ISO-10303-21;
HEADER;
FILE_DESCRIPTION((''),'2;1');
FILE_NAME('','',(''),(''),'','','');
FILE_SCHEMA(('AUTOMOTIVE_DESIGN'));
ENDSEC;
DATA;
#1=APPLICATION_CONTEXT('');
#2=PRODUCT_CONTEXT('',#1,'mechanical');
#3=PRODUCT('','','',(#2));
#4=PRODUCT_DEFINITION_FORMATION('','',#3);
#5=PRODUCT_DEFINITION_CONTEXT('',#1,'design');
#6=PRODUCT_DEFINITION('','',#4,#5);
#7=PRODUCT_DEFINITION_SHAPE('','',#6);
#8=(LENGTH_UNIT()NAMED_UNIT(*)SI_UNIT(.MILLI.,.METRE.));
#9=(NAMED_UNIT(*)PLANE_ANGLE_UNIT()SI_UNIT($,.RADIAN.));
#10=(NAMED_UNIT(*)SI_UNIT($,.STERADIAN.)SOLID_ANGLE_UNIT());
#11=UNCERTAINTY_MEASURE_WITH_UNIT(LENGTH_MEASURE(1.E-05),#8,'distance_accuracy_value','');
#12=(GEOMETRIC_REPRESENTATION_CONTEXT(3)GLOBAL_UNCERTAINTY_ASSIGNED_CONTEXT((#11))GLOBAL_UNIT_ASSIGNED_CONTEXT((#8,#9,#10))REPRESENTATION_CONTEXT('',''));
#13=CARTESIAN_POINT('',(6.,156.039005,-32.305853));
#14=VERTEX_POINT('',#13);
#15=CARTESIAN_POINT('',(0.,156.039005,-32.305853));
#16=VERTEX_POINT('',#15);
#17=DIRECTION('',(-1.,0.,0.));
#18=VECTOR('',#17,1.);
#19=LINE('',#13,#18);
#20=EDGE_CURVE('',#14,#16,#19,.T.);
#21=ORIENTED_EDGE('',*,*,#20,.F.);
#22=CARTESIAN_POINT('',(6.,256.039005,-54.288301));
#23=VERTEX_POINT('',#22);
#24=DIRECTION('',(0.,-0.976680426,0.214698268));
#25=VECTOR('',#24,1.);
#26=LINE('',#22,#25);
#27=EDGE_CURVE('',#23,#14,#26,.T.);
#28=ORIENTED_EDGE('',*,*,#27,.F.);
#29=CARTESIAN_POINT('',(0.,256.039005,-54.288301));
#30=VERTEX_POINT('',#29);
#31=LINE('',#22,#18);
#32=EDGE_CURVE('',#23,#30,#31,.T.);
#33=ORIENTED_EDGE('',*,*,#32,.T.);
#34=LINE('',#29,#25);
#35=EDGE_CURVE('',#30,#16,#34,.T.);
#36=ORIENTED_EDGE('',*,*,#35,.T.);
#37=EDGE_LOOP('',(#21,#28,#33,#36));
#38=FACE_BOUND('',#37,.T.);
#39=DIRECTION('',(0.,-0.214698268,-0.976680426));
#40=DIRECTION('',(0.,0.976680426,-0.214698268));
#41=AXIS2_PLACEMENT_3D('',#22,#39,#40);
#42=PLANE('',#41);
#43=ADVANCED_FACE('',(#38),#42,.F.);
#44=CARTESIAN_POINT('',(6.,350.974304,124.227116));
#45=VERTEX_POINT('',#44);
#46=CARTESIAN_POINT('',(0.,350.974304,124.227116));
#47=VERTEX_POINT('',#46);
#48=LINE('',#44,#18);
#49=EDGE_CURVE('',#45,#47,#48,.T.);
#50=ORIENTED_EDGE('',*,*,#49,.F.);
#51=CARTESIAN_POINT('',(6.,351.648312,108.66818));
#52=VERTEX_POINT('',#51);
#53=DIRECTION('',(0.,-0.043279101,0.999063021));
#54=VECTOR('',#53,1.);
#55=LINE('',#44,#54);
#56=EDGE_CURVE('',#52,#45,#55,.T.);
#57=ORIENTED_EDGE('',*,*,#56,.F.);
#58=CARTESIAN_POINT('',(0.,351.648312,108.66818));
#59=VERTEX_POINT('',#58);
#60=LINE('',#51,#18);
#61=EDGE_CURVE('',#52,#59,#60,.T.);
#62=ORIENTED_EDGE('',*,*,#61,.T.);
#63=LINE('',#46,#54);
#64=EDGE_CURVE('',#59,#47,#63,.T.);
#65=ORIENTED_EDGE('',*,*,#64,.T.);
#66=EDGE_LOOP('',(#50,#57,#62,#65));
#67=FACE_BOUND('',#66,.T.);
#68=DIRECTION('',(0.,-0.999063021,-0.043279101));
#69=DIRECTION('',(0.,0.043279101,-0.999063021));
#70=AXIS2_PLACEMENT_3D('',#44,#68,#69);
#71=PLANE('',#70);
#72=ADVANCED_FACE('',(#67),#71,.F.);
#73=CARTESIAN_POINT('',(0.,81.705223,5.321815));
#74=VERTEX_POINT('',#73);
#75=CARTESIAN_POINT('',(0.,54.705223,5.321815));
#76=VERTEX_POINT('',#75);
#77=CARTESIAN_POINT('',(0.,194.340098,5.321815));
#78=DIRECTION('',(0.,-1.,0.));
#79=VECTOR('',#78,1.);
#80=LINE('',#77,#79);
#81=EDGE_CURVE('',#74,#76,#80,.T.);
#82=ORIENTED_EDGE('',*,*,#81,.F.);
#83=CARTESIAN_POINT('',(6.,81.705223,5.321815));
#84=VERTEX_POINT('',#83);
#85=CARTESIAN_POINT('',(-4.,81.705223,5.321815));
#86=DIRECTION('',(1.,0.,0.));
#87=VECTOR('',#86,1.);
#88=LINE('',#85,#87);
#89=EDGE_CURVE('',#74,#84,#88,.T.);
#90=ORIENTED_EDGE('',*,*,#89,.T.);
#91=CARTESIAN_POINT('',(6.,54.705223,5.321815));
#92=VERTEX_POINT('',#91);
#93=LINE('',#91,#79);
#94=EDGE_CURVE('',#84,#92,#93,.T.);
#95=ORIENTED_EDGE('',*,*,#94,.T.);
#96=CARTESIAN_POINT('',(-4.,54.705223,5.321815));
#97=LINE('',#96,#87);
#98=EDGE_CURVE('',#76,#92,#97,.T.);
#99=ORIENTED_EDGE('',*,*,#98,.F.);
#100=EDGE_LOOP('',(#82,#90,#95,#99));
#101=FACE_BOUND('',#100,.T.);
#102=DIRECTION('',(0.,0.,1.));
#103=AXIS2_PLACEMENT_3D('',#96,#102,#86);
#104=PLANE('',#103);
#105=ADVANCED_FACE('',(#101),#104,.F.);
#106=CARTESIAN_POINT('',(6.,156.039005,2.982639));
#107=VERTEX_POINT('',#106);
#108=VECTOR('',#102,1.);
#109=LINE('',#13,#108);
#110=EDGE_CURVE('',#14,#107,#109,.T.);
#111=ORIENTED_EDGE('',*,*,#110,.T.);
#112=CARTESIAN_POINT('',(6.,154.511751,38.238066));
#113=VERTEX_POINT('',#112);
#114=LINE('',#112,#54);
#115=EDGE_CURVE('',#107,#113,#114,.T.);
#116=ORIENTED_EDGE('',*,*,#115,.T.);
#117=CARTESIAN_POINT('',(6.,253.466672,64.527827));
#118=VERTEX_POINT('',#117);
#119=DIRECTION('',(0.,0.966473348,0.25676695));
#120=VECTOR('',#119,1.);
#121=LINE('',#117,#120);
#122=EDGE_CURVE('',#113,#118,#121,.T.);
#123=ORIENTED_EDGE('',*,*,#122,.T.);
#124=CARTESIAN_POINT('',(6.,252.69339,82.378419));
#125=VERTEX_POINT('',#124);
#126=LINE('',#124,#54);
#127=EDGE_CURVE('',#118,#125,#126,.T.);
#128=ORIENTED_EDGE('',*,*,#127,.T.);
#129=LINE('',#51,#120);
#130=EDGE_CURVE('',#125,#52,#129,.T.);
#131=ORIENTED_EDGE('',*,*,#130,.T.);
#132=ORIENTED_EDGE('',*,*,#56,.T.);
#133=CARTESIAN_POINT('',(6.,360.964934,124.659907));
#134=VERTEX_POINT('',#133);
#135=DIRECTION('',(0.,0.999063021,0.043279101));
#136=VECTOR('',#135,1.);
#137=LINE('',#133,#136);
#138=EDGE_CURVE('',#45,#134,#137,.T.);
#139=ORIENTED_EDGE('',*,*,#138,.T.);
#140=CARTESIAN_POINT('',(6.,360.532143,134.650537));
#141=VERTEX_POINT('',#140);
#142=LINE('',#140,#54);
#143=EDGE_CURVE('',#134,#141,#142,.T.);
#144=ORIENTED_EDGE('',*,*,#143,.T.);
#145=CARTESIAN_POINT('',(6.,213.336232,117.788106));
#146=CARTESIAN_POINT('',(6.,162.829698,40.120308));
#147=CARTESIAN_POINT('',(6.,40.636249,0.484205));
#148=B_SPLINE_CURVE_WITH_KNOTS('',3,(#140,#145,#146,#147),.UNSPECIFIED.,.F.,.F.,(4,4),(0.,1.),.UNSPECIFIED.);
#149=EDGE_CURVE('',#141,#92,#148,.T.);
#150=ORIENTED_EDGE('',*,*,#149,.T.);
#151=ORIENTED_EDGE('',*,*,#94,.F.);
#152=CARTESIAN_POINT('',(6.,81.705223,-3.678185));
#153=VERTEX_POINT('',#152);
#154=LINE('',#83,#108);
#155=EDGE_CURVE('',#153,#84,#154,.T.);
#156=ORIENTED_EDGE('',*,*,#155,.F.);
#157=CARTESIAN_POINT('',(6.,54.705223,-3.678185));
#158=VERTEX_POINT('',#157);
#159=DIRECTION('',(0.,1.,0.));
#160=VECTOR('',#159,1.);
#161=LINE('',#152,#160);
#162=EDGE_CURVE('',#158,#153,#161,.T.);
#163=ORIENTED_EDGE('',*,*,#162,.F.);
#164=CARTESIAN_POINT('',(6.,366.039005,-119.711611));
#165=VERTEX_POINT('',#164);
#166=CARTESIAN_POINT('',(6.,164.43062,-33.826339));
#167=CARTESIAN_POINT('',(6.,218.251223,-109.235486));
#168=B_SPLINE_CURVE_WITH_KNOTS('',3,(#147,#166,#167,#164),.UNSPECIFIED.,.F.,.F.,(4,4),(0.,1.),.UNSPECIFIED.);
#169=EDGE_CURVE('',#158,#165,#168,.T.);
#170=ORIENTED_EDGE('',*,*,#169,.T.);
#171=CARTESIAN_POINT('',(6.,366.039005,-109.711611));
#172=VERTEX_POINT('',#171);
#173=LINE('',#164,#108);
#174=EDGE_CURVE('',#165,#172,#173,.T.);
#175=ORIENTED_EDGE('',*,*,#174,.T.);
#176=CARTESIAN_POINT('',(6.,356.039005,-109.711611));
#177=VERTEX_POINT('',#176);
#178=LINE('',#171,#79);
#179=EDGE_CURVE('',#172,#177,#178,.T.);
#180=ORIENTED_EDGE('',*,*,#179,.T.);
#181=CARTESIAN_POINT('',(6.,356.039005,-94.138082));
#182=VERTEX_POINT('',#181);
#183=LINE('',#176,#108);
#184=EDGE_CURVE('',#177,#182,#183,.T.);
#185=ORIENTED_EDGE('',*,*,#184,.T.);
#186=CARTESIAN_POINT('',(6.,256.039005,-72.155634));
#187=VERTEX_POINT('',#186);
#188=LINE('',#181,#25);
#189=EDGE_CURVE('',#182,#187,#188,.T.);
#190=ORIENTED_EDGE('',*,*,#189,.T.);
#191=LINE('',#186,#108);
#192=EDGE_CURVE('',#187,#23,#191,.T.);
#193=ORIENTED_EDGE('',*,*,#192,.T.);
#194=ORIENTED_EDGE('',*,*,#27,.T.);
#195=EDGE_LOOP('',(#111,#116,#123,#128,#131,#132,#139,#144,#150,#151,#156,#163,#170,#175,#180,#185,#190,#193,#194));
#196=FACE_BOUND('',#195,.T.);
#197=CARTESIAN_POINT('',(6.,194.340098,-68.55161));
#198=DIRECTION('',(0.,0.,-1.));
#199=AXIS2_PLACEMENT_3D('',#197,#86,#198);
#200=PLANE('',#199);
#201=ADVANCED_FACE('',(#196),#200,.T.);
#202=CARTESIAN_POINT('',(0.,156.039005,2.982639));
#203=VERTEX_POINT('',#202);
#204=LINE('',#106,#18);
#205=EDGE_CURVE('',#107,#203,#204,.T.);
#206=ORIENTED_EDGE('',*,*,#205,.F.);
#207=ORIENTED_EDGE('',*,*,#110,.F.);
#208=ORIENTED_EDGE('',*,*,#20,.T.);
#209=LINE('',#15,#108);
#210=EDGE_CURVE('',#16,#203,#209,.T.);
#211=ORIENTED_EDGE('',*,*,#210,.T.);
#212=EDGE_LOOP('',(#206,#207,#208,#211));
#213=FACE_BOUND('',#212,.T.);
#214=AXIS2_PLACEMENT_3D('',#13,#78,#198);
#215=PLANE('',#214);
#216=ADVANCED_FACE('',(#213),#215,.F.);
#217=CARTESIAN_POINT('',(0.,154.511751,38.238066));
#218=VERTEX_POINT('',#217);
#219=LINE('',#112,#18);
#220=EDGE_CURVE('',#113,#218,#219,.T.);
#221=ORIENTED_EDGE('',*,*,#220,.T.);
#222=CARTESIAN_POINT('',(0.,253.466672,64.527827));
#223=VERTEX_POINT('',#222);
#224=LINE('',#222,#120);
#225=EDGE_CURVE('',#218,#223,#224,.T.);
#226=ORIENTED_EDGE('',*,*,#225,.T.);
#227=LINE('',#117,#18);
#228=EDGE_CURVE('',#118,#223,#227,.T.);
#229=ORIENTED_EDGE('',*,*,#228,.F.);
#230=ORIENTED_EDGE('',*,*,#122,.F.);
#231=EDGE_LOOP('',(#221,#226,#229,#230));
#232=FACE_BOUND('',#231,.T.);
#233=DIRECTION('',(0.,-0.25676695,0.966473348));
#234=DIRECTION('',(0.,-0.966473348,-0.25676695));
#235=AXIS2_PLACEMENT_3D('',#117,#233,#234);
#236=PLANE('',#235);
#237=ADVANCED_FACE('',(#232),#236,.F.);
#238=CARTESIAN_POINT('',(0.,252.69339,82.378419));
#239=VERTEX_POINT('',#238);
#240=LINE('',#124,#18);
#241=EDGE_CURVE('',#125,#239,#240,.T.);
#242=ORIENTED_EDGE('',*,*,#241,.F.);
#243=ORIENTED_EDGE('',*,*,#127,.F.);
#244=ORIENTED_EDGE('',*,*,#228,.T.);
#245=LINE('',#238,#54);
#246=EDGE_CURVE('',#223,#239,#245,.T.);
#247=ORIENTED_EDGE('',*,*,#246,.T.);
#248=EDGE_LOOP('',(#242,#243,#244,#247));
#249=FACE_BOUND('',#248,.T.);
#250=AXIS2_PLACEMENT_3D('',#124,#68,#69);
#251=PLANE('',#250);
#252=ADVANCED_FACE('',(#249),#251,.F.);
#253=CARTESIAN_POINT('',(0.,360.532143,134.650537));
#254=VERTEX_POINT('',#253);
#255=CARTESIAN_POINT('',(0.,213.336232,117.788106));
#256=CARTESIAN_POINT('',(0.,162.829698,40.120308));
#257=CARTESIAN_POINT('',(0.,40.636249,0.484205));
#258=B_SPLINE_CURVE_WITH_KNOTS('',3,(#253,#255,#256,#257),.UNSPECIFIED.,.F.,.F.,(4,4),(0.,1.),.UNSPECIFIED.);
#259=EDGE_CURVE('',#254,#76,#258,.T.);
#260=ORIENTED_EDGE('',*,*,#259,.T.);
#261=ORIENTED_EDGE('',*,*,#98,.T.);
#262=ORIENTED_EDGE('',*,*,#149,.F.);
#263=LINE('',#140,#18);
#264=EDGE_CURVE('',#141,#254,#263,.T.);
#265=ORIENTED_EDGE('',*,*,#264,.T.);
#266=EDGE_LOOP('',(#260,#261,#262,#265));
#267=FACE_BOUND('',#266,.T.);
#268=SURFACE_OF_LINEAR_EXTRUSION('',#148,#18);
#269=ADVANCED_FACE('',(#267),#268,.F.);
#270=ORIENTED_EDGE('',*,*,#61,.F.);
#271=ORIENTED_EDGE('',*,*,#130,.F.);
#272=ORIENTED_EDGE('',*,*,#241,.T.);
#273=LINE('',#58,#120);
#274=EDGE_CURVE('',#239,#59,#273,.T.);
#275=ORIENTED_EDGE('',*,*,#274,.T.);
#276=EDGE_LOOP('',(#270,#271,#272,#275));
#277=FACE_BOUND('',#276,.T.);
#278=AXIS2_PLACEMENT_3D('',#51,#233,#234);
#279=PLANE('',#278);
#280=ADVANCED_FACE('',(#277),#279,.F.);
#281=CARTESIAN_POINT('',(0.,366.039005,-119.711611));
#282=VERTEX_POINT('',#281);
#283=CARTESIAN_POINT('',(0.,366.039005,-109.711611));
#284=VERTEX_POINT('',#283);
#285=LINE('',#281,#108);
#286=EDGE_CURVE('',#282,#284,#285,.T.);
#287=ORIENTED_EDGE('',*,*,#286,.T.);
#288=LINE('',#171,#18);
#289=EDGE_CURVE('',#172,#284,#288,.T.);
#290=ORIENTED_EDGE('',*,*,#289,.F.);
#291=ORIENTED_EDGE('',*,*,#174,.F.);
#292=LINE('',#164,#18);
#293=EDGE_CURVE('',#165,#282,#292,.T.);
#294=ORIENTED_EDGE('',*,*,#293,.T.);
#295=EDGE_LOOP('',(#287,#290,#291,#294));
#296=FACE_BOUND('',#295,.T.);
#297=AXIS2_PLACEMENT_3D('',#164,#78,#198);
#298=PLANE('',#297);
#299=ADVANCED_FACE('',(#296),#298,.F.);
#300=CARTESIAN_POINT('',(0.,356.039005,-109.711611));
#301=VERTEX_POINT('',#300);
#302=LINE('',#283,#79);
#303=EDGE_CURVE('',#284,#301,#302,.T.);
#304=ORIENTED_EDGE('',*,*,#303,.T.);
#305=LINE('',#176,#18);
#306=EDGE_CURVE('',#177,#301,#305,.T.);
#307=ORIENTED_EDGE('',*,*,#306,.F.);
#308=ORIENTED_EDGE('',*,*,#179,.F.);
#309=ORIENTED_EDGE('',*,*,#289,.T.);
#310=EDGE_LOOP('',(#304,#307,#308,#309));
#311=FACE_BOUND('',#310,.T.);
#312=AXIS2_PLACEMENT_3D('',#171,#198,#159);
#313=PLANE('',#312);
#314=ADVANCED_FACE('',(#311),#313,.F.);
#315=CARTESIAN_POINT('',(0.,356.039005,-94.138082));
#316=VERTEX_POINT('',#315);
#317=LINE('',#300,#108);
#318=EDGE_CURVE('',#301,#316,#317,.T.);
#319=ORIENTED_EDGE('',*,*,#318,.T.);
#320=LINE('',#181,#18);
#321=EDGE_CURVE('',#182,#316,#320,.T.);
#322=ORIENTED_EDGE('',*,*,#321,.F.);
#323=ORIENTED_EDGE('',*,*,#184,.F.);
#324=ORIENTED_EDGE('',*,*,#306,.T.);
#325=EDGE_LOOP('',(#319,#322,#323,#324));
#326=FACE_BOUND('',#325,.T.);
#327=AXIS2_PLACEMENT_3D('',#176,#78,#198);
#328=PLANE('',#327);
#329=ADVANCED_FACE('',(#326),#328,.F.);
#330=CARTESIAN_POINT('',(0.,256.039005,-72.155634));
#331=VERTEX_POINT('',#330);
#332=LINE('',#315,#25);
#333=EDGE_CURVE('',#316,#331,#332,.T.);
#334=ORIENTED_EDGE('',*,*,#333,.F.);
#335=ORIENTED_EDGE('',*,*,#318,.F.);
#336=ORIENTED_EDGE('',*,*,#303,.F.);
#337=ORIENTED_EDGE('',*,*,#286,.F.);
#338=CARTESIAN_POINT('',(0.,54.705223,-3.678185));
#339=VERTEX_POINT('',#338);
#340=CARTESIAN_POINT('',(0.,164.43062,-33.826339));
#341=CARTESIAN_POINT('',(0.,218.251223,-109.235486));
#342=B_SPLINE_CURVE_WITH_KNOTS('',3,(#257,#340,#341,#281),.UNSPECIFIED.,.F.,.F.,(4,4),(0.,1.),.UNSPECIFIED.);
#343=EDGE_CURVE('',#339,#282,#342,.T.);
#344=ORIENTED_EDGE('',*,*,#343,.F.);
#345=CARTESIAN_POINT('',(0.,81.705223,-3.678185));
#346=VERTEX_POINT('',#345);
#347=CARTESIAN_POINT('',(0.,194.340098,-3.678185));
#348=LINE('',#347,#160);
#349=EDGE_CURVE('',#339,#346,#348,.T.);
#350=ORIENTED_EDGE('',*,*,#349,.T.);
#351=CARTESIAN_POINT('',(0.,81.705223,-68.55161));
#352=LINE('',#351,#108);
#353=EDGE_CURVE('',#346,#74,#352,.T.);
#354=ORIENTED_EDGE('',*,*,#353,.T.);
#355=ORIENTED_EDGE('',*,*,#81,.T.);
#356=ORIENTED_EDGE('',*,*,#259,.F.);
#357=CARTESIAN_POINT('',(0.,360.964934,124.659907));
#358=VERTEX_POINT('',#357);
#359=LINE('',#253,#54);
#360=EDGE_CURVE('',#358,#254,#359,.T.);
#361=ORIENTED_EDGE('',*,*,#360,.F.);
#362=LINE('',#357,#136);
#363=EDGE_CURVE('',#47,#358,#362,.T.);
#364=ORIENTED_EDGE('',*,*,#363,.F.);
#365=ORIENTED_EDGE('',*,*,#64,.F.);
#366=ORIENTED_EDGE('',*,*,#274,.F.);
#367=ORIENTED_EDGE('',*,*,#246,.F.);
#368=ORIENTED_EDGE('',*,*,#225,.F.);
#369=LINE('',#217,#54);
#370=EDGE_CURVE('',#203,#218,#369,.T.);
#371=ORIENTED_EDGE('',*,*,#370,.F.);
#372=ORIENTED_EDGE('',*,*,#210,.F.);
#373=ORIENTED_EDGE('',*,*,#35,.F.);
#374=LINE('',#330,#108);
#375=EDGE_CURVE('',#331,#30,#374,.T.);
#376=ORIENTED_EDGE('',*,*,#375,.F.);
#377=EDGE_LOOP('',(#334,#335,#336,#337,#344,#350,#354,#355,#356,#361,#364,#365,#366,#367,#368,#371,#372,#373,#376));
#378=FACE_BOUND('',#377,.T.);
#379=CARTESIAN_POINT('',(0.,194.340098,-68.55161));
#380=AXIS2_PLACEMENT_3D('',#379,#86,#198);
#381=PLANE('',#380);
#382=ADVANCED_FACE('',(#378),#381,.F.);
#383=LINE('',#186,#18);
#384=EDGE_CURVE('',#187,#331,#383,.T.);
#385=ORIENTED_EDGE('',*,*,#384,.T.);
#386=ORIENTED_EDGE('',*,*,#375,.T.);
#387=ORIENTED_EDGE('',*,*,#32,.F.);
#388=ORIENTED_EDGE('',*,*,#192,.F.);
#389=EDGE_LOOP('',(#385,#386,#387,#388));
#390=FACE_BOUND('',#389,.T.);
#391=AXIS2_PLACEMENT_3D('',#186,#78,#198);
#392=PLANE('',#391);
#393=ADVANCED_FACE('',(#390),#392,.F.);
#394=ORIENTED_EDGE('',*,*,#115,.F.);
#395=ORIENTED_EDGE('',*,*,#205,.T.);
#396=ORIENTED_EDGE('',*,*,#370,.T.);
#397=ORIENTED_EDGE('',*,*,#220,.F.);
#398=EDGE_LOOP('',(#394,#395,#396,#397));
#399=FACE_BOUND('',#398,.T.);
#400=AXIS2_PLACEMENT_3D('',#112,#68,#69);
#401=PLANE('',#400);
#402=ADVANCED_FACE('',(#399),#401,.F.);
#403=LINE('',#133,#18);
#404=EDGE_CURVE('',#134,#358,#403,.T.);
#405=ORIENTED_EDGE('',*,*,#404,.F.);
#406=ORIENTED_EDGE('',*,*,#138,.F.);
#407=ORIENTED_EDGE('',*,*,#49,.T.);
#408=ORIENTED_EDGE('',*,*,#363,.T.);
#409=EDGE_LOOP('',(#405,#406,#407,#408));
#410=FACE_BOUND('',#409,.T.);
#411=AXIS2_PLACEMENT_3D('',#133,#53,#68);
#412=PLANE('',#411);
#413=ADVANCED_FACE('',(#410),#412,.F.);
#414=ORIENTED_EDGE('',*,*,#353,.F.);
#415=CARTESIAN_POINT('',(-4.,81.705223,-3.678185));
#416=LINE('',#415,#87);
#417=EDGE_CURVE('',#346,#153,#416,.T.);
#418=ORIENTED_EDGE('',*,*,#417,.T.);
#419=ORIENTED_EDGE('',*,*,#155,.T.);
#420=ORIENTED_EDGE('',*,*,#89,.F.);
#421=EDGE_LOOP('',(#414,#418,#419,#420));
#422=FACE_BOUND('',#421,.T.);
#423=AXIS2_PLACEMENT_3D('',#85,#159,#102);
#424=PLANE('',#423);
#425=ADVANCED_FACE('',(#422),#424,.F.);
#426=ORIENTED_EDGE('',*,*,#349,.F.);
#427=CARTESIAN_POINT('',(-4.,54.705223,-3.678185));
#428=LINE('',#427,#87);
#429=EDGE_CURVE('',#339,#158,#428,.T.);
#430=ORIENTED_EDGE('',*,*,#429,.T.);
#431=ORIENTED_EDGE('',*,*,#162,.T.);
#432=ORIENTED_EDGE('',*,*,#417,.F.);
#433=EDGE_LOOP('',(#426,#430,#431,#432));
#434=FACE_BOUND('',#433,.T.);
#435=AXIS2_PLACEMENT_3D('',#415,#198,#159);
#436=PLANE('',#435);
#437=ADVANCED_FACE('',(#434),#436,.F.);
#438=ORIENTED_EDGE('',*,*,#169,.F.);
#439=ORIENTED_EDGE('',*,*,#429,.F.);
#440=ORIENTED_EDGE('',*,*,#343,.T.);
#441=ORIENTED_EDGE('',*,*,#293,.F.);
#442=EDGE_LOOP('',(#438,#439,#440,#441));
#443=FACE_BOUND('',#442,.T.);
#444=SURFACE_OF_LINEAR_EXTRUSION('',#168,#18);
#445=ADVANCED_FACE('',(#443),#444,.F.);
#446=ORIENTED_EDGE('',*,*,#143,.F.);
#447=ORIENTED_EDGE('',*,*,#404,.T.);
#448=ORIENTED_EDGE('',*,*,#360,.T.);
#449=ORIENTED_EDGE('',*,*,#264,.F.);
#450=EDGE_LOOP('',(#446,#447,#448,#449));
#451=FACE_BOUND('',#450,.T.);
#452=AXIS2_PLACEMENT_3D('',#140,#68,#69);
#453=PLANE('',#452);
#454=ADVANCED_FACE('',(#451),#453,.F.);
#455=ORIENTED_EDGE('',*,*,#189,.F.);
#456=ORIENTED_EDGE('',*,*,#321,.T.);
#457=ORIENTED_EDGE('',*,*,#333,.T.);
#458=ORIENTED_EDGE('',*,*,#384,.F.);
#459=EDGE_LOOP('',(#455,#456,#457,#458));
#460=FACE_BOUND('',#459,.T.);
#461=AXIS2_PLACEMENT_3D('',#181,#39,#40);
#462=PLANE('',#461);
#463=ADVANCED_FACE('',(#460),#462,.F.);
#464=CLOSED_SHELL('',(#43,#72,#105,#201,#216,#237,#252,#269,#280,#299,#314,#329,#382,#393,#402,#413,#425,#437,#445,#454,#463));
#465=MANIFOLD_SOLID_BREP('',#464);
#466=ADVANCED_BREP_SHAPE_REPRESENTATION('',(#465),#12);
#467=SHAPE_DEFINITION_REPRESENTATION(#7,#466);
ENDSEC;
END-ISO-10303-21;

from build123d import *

# Parameters (mm, degrees)
BOSS_EXTRU_3_DEPTH      = 6
ENL_V_MAT_EXTRU_1_DEPTH = 10


with BuildPart() as part:
    # Esquisse2 → Boss.-Extru.3 (new body)
    with BuildSketch(Plane(origin=(0, 0, 0), x_dir=(0, 0, -1), z_dir=(1, 0, 0))):
        with BuildLine():
            Line((119.711610695, 366.039005154), (109.711610695, 366.039005154))
            Line((109.711610695, 366.039005154), (109.711610695, 356.039005154))
            Line((109.711610695, 356.039005154), (94.138082152, 356.039005154))
            Line((94.138082152, 356.039005154), (72.155634041, 256.039005154))
            Line((72.155634041, 256.039005154), (54.28830069, 256.039005154))
            Line((54.28830069, 256.039005154), (32.305852578, 156.039005154))
            Line((32.305852578, 156.039005154), (-2.982638809, 156.039005154))
            Line((-2.982638809, 156.039005154), (-38.238065612, 154.511750988))
            Line((-38.238065612, 154.511750988), (-64.527826677, 253.466672484))
            Line((-64.527826677, 253.466672484), (-82.378418708, 252.693390368))
            Line((-82.378418708, 252.693390368), (-108.668179773, 351.648311863))
            Line((-108.668179773, 351.648311863), (-124.227116243, 350.974303556))
            Line((-124.227116243, 350.974303556), (-124.659907248, 360.964933764))
            Line((-124.659907248, 360.964933764), (-134.650537455, 360.532142759))
            add(Edge.make_bspline(
                [(-134.650537455, 360.532142759), (-117.788106266, 213.336232223), (-40.120308472, 162.829698053), (-0.484204579, 40.636249064)],
                knots=[0, 0, 0, 0, 1, 1, 1, 1], degree=3))
            add(Edge.make_bspline(
                [(119.711610695, 366.039005154), (109.23548586, 218.251223276), (33.826338548, 164.430620253), (-0.484204579, 40.636249064)],
                knots=[0, 0, 0, 0, 1, 1, 1, 1], degree=3))
        make_face()
    extrude(amount=BOSS_EXTRU_3_DEPTH)

    # Esquisse3 → Enlèv. mat.-Extru.1 (cut)
    with BuildSketch(Plane(origin=(6, 0, 0), x_dir=(0, 0, -1), z_dir=(1, 0, 0))):
        Polygon((-5.321814798, 54.705223034), (-5.321814798, 81.705223034), (3.678185202, 81.705223034), (3.678185202, 54.705223034), (9.336488724, 34.218680036), (-20.702093174, 34.218680036), align=None)
    extrude(amount=-ENL_V_MAT_EXTRU_1_DEPTH, mode=Mode.SUBTRACT)


solid = part.part
